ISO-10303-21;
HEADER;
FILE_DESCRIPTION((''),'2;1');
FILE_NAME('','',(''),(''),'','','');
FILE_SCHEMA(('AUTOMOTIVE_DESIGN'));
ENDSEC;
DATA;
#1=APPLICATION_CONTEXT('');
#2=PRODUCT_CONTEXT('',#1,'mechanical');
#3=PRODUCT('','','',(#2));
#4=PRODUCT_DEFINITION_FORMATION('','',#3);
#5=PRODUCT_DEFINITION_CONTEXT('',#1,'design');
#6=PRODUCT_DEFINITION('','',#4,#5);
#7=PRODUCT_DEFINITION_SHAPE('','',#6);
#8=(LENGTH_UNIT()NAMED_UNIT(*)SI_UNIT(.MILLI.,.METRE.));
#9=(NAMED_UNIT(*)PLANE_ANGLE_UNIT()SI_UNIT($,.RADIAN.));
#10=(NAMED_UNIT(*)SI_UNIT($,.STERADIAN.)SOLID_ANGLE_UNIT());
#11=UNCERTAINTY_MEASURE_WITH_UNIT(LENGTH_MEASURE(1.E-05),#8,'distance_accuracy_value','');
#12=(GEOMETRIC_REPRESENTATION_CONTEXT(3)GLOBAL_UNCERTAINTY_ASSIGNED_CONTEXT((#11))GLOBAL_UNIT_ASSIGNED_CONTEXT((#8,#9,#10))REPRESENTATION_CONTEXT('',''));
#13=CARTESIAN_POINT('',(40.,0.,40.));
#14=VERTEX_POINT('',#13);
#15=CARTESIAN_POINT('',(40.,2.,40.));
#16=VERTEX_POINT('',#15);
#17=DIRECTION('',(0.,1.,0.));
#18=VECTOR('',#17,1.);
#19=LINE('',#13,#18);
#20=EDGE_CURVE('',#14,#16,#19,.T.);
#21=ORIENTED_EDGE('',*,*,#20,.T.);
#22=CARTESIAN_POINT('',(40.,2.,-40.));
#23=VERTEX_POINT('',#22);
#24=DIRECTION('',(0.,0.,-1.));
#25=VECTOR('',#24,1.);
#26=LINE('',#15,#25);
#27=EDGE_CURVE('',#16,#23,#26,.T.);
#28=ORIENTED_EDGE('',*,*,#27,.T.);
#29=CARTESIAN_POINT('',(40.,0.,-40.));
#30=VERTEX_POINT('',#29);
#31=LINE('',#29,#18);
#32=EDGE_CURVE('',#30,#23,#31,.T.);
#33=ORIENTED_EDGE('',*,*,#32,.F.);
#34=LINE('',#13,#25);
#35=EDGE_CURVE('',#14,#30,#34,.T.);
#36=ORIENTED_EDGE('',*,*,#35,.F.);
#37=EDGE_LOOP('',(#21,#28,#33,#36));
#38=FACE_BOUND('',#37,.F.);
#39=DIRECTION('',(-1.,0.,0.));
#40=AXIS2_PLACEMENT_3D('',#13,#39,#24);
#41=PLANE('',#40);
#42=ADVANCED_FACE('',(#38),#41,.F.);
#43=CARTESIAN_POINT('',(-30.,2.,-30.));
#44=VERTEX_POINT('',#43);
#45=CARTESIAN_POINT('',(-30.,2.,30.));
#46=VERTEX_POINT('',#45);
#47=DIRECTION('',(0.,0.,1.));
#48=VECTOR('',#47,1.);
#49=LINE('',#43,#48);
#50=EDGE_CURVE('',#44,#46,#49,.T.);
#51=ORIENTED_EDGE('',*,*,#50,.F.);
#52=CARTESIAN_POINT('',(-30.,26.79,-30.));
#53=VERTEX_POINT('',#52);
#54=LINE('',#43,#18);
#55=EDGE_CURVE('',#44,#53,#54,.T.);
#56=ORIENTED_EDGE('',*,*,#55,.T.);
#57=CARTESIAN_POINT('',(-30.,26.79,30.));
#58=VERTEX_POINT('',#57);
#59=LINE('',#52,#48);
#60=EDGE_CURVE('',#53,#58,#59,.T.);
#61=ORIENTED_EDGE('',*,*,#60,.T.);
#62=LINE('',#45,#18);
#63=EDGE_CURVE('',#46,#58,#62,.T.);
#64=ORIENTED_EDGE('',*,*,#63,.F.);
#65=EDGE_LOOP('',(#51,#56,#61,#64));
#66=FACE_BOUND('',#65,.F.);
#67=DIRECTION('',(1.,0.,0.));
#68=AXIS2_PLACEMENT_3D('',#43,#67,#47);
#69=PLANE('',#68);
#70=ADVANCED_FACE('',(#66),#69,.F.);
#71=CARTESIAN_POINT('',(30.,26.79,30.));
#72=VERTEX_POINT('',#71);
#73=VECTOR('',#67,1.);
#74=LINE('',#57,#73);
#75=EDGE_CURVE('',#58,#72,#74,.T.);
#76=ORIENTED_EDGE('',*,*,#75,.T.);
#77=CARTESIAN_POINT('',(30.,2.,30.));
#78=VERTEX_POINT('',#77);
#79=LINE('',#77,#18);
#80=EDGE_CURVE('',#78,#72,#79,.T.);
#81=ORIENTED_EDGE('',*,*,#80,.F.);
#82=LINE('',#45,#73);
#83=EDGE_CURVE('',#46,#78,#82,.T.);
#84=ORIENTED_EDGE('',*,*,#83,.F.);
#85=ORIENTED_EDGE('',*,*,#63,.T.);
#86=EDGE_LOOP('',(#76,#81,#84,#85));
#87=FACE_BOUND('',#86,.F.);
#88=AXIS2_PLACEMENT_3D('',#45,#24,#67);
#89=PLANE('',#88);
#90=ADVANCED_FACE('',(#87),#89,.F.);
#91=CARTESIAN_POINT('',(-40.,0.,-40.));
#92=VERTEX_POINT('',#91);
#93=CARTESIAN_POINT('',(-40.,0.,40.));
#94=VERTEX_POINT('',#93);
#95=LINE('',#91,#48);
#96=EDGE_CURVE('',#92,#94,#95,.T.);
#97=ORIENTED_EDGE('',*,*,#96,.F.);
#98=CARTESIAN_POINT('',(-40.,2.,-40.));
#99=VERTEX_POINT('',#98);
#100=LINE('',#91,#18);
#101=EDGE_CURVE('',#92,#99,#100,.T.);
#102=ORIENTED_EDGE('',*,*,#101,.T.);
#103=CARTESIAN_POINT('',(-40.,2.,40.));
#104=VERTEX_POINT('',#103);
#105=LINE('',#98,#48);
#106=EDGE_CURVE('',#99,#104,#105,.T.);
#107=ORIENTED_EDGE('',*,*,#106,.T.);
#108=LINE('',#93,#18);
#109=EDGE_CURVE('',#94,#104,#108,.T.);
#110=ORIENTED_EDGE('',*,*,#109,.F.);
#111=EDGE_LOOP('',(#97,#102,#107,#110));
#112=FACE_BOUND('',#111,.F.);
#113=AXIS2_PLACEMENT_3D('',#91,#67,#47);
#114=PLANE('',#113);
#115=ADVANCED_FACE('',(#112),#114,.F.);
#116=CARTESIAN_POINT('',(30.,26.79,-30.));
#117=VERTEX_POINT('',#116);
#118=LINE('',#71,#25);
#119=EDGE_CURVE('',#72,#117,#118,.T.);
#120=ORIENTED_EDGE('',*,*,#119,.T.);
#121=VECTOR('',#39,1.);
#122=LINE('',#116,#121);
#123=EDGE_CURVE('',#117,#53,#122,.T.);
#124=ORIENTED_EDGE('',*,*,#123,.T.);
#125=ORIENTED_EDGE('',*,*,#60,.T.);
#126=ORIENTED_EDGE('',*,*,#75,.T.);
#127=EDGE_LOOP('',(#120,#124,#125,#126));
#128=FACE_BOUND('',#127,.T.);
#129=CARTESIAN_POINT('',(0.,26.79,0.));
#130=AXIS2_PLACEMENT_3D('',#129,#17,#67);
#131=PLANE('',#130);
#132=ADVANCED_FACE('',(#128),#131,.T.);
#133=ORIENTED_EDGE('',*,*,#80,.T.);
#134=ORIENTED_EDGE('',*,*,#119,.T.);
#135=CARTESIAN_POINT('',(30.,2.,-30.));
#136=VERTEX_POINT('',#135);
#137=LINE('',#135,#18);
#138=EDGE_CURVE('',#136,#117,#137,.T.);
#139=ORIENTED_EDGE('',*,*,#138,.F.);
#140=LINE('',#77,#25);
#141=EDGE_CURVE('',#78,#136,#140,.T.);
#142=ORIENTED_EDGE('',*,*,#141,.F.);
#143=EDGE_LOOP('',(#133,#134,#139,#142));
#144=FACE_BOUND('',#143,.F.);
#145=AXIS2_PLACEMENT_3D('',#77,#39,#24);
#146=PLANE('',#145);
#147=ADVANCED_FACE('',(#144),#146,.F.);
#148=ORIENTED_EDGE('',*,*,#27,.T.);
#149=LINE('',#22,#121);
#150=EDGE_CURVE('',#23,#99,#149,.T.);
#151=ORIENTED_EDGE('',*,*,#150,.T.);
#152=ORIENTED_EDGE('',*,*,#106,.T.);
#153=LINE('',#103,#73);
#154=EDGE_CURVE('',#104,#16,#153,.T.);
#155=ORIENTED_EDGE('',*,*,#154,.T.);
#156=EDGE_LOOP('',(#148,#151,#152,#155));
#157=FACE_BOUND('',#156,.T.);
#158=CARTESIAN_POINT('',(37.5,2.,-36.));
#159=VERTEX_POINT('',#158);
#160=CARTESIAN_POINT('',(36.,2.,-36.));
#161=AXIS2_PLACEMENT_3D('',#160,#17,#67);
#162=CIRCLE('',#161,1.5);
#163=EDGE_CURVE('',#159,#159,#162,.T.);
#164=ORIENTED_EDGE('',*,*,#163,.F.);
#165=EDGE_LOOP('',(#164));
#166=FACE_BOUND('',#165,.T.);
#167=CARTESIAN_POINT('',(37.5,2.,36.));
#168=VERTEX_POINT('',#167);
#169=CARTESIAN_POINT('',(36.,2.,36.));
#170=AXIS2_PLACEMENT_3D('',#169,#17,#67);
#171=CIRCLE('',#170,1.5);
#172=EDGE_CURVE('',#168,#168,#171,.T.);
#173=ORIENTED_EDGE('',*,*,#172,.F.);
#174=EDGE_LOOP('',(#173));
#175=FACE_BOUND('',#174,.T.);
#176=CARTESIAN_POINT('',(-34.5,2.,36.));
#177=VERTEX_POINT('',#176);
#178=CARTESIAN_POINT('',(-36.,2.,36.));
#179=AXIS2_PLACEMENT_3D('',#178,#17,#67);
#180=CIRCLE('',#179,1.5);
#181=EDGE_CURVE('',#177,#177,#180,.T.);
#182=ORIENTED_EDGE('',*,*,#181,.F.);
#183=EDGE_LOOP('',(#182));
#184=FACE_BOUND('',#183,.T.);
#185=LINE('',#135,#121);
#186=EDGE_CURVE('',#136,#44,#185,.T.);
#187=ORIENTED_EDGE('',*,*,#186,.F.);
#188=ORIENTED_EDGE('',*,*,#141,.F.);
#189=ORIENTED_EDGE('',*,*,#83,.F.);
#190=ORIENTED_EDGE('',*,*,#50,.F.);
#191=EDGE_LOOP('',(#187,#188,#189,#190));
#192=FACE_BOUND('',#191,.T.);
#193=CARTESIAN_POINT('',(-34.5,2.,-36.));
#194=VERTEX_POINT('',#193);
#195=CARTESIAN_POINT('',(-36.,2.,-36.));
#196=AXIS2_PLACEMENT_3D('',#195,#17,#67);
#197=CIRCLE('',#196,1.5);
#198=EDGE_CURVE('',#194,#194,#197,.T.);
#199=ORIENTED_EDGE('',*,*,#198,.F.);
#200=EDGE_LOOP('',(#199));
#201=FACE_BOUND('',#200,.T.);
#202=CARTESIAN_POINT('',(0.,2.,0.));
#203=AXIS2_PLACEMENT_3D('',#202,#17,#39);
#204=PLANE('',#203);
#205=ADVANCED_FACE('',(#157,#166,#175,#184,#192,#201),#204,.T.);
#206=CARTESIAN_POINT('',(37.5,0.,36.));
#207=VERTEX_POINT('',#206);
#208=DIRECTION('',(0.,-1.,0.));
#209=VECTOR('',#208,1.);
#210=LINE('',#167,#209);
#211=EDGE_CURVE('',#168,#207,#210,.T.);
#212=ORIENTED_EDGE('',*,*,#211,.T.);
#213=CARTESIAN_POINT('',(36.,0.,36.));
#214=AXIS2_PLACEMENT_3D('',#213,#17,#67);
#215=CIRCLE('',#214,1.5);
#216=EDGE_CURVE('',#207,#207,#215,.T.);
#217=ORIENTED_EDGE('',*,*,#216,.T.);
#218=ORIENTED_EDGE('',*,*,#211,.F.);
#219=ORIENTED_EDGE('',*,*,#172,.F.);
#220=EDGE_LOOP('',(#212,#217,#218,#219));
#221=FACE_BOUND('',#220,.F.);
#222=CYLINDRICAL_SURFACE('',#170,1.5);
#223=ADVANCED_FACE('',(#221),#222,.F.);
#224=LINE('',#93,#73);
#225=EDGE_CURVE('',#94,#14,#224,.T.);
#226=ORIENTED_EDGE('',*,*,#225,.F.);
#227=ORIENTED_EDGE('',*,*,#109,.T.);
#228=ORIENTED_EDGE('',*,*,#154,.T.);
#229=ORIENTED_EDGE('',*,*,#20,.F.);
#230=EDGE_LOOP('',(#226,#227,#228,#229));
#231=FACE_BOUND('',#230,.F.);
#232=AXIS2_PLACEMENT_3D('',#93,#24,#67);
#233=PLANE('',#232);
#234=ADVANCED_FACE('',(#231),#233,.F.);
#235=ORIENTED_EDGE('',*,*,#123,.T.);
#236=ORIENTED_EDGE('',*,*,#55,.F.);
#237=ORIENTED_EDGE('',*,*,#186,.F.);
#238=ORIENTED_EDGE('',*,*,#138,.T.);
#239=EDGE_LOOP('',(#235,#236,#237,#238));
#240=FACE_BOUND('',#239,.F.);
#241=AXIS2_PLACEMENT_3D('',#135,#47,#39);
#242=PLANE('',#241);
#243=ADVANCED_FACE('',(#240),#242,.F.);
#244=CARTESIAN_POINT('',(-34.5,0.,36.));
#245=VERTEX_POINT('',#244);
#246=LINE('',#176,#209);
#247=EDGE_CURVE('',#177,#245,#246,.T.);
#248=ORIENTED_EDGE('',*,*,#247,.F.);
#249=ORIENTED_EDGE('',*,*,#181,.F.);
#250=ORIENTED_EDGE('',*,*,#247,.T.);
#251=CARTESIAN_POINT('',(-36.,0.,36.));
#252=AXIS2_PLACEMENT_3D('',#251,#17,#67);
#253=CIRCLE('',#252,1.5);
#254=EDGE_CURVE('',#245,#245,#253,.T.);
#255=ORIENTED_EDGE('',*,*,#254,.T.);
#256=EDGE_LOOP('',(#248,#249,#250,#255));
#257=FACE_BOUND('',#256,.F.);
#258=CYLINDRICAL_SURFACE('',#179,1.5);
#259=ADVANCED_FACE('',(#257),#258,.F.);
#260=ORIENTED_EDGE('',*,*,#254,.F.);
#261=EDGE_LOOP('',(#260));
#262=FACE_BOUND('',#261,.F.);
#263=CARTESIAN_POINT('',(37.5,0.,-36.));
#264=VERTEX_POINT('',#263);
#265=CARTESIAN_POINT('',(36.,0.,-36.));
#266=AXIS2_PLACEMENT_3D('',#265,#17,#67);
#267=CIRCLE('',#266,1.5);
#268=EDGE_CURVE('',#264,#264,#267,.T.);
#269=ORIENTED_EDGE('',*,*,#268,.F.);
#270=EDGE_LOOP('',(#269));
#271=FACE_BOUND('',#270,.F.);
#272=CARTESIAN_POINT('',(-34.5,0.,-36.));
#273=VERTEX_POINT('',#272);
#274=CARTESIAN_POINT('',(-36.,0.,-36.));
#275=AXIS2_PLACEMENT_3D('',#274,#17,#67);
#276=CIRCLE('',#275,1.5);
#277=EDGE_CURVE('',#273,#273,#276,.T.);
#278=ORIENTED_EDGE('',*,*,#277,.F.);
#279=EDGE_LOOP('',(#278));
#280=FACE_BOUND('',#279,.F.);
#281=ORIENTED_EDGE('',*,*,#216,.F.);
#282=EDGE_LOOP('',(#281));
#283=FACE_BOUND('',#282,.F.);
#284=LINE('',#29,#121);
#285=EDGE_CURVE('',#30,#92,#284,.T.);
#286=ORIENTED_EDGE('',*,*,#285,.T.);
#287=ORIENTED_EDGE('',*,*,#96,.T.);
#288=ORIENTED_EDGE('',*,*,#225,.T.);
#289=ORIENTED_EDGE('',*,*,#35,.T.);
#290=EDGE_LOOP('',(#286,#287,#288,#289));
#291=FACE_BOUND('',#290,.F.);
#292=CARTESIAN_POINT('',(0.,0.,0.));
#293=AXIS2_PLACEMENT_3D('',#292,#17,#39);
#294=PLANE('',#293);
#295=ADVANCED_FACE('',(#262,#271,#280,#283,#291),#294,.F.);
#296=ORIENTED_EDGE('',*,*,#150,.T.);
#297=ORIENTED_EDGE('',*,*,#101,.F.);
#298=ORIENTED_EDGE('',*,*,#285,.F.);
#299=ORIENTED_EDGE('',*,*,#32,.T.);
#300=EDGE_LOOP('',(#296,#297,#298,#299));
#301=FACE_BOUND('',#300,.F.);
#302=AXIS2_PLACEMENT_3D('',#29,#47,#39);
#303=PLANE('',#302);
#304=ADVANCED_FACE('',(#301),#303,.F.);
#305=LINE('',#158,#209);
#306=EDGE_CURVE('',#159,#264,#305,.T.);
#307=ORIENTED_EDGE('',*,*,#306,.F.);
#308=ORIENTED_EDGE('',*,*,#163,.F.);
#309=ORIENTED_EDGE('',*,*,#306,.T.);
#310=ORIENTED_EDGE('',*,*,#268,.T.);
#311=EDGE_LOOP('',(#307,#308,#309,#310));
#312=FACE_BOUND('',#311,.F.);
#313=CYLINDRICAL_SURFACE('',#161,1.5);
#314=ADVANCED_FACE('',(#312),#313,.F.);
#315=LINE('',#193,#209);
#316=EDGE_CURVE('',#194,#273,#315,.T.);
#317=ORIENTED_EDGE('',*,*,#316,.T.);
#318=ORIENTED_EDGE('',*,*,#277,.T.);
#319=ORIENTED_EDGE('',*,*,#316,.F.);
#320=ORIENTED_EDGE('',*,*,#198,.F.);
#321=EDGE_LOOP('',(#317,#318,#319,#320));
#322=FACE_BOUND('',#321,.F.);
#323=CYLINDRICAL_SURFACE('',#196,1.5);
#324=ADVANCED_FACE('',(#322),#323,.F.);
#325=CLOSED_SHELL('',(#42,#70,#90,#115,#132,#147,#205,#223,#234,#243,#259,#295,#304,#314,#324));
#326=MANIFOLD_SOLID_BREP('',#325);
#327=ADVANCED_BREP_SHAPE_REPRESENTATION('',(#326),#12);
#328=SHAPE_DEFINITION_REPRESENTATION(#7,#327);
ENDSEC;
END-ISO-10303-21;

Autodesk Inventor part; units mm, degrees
ref_plane "YZ Plane" through (0, 0, 0) normal (1, 0, 0) x (0, 1, 0)
ref_plane "XZ Plane" through (0, 0, 0) normal (0, 1, 0) x (-1, 0, 0)
ref_plane "XY Plane" through (0, 0, 0) normal (0, 0, 1) x (1, 0, 0)
sketch "Esquisse1" plane through (0, 0, 0) normal (0, 1, 0) x (-1, 0, 0)
  line L0 (40, 40) -> (-40, 40)
  line L1 (-40, 40) -> (-40, -40)
  line L2 (-40, -40) -> (40, -40)
  line L3 (40, -40) -> (40, 40)
  point P0 (0, 0)
  dimension "d0" = 80
  dimension "d1" = 80
  dimension "d2" = 40
  dimension "d3" = 40
extrude "Extrusion1" add sketch "Esquisse1" along normal blind 2
sketch "Esquisse2" plane through (0, 2, 0) normal (0, 1, 0) x (1, 0, 0)
  line L0 (-36, -36) -> (36, -36) construction
  line L1 (36, -36) -> (36, 36) construction
  line L2 (36, 36) -> (-36, 36) construction
  line L3 (-36, 36) -> (-36, -36) construction
  circle A0 centre (-36, -36) radius 1.5
  circle A1 centre (-36, 36) radius 1.5
  circle A2 centre (36, 36) radius 1.5
  circle A3 centre (36, -36) radius 1.5
  point P0 (0, 0)
  dimension "d6" = 3
  dimension "d7" = 3
  dimension "d8" = 3
  dimension "d9" = 3
  dimension "d10" = 72
  dimension "d11" = 72
  dimension "d12" = 36
  dimension "d13" = 36
extrude "Extrusion2" cut sketch "Esquisse2" against normal through all
sketch "Esquisse3" plane through (0, 2, 0) normal (0, 1, 0) x (1, 0, 0)
  line L0 (-30, -30) -> (30, -30)
  line L1 (30, -30) -> (30, 30)
  line L2 (30, 30) -> (-30, 30)
  line L3 (-30, 30) -> (-30, -30)
  point P0 (0, 0)
  dimension "d16" = 60
  dimension "d17" = 60
  dimension "d18" = 30
  dimension "d19" = 30
extrude "Extrusion3" add sketch "Esquisse3" along normal blind 24.79
equation "\"d2\" = 0.5 * d0"
equation "\"d3\" = 0.5 * d1"
equation "\"d7\" = d6"
equation "\"d8\" = d6"
equation "\"d9\" = d6"
equation "\"d12\" = 0.5 * d11"
equation "\"d13\" = 0.5 * d10"
equation "\"d18\" = 0.5 * d16"
equation "\"d19\" = 0.5 * d17"
properties part number "rolling_base_board"
